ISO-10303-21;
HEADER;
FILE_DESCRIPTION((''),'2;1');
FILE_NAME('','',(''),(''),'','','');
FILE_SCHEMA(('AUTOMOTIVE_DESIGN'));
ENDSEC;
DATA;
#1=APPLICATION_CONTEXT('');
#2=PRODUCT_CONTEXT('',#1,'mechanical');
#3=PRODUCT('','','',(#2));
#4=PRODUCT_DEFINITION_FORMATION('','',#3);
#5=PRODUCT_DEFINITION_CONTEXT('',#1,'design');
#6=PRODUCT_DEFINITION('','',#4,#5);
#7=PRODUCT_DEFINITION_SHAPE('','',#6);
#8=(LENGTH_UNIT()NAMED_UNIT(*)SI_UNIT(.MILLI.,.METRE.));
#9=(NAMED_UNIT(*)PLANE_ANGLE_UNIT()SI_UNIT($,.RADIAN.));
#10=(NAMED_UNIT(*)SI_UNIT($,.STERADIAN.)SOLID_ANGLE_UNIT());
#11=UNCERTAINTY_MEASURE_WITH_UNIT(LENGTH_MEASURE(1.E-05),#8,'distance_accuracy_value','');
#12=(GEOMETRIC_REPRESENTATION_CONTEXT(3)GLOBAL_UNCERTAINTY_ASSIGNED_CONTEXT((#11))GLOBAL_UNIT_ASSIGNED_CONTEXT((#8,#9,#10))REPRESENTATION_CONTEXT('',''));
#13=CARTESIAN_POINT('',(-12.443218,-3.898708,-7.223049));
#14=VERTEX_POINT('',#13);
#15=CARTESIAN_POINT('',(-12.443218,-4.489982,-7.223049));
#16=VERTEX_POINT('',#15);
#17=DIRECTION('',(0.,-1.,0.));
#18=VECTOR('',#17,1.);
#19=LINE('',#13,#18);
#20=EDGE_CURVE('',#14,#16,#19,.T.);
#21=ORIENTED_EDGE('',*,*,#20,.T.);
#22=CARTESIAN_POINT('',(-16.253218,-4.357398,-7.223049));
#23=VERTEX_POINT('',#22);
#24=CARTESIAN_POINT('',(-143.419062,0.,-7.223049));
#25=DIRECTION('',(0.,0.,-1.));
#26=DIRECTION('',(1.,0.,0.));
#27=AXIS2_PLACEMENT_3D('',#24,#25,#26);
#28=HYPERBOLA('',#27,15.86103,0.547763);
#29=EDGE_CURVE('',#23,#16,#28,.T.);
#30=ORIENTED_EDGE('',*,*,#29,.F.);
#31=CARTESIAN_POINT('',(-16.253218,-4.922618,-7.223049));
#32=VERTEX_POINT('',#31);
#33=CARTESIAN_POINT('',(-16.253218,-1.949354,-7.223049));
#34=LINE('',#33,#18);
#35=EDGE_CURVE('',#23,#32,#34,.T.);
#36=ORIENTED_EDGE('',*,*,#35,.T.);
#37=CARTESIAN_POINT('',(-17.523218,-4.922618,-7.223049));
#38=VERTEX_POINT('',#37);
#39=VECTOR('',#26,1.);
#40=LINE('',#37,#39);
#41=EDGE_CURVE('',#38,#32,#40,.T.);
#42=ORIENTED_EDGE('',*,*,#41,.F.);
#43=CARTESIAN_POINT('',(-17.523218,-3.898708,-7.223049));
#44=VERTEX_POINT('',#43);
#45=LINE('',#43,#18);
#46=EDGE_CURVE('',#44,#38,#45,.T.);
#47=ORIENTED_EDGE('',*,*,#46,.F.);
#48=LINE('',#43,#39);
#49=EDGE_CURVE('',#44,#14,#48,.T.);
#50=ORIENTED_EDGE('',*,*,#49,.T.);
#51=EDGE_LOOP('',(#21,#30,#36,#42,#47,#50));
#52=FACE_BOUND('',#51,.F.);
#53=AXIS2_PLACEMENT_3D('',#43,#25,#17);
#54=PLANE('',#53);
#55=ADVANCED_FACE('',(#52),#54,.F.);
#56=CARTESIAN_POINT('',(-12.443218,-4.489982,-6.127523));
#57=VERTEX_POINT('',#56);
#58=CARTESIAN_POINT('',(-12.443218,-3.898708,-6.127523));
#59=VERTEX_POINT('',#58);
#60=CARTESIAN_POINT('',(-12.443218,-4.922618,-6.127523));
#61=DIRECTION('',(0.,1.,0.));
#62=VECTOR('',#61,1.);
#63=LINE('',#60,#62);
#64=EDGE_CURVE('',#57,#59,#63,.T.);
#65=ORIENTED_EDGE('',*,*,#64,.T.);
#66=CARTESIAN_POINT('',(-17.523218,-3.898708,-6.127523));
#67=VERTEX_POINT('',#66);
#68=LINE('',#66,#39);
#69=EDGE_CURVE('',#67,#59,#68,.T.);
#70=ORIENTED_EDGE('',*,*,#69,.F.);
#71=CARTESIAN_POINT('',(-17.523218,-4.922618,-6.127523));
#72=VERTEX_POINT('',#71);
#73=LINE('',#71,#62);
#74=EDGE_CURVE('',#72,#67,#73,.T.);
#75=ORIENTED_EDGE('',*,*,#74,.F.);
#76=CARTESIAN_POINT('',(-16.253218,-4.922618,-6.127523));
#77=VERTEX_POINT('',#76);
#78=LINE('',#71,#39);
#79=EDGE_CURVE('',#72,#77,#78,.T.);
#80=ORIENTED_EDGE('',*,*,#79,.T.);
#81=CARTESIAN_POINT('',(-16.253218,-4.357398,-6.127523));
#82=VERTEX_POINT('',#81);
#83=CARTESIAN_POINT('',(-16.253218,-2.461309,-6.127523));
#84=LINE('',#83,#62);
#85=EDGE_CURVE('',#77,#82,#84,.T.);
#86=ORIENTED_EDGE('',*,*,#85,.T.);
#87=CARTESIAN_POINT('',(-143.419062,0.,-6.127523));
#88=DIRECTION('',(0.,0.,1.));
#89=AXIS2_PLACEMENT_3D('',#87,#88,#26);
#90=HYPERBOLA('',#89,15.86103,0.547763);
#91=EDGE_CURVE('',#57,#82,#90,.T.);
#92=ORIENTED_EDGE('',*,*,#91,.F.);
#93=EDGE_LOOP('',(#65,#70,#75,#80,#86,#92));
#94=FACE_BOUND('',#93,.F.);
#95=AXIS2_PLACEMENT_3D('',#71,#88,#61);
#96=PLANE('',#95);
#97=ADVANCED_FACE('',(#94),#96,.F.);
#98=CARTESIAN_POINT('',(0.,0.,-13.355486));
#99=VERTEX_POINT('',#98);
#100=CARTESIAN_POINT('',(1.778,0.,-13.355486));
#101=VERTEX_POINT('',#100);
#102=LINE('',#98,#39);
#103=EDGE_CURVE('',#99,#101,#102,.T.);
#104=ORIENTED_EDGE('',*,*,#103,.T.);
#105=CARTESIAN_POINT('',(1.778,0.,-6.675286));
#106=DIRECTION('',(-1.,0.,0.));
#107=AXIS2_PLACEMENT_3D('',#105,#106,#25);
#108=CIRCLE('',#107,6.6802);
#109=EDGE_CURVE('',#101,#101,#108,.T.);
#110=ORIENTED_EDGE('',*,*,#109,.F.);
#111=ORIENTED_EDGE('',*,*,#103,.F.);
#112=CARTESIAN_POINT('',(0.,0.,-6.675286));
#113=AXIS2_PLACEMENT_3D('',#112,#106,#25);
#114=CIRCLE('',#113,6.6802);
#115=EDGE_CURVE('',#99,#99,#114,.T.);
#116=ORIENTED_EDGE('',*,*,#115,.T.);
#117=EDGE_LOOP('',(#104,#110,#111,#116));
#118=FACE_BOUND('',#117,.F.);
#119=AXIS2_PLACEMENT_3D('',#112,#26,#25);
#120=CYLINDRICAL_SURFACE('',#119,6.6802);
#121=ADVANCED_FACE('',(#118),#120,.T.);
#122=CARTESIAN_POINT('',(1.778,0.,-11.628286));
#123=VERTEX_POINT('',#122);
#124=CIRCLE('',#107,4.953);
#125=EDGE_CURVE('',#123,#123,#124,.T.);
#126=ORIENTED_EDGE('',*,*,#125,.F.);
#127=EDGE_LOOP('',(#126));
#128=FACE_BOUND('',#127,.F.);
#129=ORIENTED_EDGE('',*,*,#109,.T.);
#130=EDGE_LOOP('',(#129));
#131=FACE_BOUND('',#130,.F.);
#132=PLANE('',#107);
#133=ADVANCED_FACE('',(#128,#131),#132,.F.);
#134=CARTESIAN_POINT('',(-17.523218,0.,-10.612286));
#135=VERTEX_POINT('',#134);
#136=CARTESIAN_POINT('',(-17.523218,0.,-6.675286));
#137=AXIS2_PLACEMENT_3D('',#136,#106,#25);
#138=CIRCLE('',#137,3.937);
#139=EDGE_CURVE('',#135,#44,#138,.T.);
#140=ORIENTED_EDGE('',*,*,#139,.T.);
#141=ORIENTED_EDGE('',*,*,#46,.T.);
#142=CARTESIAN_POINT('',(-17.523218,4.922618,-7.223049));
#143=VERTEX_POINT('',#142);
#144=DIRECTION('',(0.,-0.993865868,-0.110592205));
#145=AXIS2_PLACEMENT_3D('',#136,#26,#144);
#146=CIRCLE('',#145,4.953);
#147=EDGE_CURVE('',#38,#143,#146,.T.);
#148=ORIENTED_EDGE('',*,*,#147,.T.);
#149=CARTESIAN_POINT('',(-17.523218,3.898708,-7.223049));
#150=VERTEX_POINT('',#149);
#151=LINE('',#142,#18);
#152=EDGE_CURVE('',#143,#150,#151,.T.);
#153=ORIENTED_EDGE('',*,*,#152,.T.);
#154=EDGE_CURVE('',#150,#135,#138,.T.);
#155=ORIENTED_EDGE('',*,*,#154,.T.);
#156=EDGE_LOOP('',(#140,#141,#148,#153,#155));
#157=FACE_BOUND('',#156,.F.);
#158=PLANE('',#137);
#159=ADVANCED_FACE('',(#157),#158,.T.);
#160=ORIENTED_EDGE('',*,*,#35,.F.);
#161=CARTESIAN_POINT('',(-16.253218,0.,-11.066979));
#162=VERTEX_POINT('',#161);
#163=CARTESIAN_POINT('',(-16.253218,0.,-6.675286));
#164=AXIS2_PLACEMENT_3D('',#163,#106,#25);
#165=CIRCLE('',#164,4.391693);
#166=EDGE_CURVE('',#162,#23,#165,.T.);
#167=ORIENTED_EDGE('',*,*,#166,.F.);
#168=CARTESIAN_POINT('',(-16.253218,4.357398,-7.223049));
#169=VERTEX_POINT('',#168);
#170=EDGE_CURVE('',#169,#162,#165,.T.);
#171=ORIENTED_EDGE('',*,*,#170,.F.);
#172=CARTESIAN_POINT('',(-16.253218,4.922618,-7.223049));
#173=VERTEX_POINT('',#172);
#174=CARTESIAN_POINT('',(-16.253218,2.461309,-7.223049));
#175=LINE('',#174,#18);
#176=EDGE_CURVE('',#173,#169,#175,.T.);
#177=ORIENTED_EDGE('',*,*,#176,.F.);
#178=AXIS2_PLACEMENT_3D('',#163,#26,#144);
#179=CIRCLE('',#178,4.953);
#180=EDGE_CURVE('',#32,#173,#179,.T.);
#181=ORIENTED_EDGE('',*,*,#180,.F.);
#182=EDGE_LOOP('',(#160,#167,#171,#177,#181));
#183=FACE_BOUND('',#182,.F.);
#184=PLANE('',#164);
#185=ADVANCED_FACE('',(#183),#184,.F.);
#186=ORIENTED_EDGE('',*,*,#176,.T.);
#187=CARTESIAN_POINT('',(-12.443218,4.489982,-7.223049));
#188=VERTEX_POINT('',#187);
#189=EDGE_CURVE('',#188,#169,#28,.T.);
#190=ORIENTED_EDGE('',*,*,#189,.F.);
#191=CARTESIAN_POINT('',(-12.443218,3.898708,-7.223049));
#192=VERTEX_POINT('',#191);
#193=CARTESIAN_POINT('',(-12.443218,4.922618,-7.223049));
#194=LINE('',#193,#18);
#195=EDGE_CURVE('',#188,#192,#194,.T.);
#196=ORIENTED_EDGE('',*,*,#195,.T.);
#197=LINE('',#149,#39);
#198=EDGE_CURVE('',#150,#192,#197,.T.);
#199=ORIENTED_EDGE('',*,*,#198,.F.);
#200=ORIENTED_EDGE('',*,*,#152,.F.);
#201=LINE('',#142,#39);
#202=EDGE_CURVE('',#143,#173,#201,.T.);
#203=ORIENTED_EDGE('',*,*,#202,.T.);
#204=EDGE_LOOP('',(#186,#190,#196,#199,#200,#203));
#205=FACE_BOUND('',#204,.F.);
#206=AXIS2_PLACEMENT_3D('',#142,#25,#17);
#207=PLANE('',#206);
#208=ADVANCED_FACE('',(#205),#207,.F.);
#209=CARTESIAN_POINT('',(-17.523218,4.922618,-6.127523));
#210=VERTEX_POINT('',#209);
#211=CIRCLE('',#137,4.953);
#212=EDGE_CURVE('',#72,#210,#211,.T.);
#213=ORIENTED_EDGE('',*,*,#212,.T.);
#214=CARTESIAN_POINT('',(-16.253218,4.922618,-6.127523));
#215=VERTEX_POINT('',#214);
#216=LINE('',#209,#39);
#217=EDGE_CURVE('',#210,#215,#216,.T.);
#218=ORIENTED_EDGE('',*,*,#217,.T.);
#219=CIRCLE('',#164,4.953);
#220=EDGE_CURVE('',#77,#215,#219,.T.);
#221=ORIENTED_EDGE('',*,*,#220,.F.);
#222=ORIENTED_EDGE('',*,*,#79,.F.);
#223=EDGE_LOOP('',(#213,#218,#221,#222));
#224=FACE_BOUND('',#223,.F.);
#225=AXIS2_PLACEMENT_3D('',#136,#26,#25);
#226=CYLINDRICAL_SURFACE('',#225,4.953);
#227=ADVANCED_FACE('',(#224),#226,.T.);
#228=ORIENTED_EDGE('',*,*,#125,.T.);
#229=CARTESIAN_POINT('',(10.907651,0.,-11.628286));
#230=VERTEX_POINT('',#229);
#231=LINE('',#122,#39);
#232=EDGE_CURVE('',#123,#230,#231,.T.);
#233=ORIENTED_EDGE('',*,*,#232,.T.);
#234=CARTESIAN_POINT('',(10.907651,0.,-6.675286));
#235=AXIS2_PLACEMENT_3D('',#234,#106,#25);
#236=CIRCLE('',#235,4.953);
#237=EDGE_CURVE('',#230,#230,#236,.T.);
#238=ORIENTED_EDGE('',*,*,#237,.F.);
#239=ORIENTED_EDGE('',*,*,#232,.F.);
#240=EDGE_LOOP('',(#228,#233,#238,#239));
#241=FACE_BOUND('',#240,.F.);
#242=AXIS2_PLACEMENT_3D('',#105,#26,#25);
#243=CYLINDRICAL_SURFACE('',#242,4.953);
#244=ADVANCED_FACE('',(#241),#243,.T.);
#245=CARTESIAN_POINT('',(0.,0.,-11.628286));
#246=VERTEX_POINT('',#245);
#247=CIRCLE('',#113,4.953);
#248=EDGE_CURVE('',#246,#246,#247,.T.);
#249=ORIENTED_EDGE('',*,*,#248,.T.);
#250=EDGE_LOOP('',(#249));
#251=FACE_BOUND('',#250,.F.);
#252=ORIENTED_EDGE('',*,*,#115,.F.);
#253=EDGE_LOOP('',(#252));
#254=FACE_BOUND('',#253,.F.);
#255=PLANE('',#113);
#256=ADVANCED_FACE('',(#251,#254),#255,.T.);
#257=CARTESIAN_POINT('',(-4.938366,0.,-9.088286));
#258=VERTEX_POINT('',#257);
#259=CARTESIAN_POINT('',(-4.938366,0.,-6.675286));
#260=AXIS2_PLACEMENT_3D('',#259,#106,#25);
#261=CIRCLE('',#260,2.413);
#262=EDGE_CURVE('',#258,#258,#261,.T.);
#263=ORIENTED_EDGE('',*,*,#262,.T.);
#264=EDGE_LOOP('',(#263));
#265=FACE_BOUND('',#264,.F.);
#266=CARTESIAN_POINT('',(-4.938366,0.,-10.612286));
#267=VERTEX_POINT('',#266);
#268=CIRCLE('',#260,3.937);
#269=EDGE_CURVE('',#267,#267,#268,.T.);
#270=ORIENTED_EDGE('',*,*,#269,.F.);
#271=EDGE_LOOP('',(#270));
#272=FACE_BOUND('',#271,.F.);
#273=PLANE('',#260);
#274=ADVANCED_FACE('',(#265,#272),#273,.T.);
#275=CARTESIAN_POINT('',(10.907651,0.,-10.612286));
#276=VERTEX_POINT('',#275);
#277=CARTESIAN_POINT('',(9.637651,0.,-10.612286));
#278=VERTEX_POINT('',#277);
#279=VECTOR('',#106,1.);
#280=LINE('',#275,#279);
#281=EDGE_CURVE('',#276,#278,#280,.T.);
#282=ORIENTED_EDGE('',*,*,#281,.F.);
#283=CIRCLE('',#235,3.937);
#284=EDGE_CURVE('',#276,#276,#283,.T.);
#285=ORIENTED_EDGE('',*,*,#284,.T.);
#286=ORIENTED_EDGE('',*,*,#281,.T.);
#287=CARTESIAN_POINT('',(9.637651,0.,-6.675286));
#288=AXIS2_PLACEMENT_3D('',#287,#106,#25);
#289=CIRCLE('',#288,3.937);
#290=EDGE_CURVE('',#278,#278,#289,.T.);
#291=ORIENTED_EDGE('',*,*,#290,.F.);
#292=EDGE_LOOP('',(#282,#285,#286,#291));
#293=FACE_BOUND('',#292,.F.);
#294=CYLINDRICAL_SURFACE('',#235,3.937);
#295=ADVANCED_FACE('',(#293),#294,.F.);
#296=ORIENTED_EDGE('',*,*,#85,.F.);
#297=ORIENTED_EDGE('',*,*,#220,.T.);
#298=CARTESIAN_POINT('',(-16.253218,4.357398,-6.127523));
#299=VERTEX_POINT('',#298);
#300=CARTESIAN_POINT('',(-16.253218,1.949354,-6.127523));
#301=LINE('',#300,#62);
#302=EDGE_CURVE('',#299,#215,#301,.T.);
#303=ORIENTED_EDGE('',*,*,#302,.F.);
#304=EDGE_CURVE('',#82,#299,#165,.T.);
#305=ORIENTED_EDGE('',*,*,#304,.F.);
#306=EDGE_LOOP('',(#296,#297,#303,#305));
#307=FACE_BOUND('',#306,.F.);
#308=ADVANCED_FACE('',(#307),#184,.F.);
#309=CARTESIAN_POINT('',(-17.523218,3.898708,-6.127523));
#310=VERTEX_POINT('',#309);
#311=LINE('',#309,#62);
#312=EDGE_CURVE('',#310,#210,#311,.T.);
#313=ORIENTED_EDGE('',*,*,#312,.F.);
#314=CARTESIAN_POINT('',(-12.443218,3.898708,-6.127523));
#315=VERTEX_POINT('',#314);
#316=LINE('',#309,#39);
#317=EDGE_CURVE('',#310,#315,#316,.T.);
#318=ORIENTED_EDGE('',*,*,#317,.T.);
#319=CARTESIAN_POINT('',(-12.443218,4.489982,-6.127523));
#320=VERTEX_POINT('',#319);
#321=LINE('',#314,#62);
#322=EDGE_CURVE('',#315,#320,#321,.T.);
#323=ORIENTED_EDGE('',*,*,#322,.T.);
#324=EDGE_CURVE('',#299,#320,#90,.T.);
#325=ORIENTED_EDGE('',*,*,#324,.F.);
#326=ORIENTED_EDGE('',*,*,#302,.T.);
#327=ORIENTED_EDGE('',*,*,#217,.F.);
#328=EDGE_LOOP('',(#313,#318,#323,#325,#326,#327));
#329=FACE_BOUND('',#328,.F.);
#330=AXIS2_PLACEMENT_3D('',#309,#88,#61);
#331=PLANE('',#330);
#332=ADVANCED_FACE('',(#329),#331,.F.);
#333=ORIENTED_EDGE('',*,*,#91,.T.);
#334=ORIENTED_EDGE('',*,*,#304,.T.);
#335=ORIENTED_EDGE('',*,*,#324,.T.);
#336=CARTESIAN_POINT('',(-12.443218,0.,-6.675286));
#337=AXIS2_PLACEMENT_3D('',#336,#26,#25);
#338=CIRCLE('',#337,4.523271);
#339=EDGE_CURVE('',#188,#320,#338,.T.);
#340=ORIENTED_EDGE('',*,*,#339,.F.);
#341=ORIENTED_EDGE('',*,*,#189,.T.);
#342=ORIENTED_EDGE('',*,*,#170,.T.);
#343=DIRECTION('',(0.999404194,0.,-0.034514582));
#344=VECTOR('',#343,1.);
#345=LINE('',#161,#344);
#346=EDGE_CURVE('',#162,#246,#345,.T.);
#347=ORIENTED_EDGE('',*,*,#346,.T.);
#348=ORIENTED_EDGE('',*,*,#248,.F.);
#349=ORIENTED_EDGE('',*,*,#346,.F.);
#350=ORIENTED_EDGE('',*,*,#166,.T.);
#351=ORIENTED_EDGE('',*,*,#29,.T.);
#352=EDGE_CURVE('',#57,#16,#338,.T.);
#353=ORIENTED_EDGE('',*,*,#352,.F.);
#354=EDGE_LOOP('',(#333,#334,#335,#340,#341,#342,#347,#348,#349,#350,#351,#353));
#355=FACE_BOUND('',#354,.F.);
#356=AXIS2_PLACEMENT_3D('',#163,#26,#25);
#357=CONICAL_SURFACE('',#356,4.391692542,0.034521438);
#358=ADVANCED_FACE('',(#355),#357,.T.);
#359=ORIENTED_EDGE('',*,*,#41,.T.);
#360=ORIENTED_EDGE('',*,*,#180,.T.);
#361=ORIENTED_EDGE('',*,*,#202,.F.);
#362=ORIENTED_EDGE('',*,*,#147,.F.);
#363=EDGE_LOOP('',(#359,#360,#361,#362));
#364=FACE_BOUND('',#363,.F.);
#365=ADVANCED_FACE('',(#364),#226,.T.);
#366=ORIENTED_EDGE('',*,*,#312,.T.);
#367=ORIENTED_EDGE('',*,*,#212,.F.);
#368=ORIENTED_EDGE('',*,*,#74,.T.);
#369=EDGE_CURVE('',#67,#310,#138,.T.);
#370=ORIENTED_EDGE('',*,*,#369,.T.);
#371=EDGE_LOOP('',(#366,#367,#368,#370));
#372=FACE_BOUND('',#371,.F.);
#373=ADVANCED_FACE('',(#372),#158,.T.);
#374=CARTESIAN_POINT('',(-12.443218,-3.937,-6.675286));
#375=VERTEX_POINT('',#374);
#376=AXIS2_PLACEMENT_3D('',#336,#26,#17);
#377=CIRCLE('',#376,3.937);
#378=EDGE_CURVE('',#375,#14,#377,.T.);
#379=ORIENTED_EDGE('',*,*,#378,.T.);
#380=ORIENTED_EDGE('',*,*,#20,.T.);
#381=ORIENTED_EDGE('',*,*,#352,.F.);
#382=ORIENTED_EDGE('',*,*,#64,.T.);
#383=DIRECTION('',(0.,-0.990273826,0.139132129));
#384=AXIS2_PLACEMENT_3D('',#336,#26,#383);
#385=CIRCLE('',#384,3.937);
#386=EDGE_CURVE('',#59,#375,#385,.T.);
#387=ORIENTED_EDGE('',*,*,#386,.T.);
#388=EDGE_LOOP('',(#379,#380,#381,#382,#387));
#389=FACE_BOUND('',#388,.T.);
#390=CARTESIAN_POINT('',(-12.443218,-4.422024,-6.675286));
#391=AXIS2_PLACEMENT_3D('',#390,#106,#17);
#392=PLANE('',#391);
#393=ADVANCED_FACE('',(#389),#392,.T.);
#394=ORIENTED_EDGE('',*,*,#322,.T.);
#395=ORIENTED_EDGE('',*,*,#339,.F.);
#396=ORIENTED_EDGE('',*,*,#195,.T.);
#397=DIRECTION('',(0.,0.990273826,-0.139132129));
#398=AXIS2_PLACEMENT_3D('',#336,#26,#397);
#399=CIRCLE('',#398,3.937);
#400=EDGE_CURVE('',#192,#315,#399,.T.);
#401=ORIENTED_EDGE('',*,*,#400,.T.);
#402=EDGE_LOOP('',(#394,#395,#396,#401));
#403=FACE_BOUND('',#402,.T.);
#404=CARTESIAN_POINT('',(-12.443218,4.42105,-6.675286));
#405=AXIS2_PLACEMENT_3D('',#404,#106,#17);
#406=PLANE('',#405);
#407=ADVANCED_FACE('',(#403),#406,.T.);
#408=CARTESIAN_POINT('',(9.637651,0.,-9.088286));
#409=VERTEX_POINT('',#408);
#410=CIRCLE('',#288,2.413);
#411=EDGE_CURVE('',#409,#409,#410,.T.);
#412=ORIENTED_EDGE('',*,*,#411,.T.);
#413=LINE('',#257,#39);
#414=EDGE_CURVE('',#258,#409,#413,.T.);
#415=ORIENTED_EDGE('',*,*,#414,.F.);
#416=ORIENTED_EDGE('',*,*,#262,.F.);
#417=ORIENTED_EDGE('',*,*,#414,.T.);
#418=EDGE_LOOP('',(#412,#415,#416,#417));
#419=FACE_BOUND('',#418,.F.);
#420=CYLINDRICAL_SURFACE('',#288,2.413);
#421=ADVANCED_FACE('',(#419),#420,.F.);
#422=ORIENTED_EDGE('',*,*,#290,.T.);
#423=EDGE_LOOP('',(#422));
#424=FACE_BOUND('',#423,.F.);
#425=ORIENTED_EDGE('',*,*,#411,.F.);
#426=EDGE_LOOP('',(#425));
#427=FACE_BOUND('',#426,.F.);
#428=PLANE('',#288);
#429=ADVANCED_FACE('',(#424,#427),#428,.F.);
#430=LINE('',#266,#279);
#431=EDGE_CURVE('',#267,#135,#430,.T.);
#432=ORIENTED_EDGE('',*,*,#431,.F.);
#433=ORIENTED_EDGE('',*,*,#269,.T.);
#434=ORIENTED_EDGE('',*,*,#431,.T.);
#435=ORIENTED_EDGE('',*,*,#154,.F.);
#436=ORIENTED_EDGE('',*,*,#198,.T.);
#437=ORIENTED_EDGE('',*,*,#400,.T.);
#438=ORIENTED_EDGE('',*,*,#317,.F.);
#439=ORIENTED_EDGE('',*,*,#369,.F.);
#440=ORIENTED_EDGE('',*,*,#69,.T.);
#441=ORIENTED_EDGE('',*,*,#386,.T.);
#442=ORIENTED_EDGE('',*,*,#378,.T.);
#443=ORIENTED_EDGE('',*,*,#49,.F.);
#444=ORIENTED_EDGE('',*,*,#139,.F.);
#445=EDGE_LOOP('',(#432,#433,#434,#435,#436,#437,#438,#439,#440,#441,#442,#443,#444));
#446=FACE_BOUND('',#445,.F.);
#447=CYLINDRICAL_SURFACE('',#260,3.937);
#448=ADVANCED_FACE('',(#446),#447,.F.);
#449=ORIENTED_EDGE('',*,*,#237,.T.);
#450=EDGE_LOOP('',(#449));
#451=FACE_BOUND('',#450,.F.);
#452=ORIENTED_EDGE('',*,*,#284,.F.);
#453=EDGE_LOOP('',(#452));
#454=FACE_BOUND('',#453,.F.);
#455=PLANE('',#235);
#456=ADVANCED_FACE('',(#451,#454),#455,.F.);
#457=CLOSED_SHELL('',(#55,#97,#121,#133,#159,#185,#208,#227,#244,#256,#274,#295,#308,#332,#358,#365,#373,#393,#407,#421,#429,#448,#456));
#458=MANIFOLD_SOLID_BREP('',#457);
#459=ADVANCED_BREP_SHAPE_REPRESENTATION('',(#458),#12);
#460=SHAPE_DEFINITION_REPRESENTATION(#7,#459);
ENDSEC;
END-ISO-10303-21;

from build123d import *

# Parameters (mm, degrees)
F3_DEPTH = 5.08
F4_DEPTH = 25.4


with BuildPart() as f1:
    # F0 (on Front) → F1 (revolve)
    with BuildSketch(Plane.XZ):
        Polygon((9.6376508882, -9.0882862558), (1.2556508882, -9.0882862558), (1.2556508882, -6.6752862558), (0, -6.6752862558), (0, -9.0882862558), (-4.9383663572, -9.0882862558), (-4.9383663572, -10.6122862558), (-16.2532180548, -10.6122862558), (-17.5232180548, -10.6122862558), (-17.5232180548, -11.6282862558), (-16.2532180548, -11.6282862558), (-16.2532180548, -11.0669787973), (0, -11.6282862558), (0, -13.3554862558), (1.778, -13.3554862558), (1.778, -11.6282862558), (10.9076508882, -11.6282862558), (10.9076508882, -10.6122862558), (9.6376508882, -10.6122862558), align=None)
    revolve(axis=Axis((-3.3077835833, 0, -6.6752862558), (-1, 0, 0)))

    # F2 (on face) → F3 (cut)
    with BuildSketch(Plane(origin=(-17.5232180548, 0, 0), x_dir=(0, -1, 0), z_dir=(-1, 0, 0))):
        with BuildLine():
            Line((-3.8987080534, -6.1275230643), (-4.9226176457, -6.1275230643))
            ThreePointArc((-4.9226176457, -6.1275230643), (-4.953, -6.6752862558), (-4.9226176457, -7.2230494473))
            Line((-4.9226176457, -7.2230494473), (-3.8987080534, -7.2230494473))
            ThreePointArc((-3.8987080534, -7.2230494473), (-3.937, -6.6752862558), (-3.8987080534, -6.1275230643))
        make_face()
        with BuildLine():
            ThreePointArc((4.953, -6.6752862558), (4.9453985784, -6.400983685), (4.9226176457, -6.1275230643))
            Line((4.9226176457, -6.1275230643), (3.8987080534, -6.1275230643))
            ThreePointArc((3.8987080534, -6.1275230643), (3.9274153464, -6.4007362662), (3.937, -6.6752862558))
            ThreePointArc((3.937, -6.6752862558), (3.9274153464, -6.9498362454), (3.8987080534, -7.2230494473))
            Line((3.8987080534, -7.2230494473), (4.9226176457, -7.2230494473))
            ThreePointArc((4.9226176457, -7.2230494473), (4.9453985784, -6.9495888266), (4.953, -6.6752862558))
        make_face()
    extrude(amount=-F3_DEPTH, mode=Mode.SUBTRACT)

    # F4 (cut): a face of the model
    f4_faces = [f1.faces().sort_by_distance(p)[0] for p in [
        (1.2556508882, 0, -6.6752862558),
    ]]
    extrude(f4_faces, amount=-F4_DEPTH, mode=Mode.SUBTRACT)


solid = f1.part
